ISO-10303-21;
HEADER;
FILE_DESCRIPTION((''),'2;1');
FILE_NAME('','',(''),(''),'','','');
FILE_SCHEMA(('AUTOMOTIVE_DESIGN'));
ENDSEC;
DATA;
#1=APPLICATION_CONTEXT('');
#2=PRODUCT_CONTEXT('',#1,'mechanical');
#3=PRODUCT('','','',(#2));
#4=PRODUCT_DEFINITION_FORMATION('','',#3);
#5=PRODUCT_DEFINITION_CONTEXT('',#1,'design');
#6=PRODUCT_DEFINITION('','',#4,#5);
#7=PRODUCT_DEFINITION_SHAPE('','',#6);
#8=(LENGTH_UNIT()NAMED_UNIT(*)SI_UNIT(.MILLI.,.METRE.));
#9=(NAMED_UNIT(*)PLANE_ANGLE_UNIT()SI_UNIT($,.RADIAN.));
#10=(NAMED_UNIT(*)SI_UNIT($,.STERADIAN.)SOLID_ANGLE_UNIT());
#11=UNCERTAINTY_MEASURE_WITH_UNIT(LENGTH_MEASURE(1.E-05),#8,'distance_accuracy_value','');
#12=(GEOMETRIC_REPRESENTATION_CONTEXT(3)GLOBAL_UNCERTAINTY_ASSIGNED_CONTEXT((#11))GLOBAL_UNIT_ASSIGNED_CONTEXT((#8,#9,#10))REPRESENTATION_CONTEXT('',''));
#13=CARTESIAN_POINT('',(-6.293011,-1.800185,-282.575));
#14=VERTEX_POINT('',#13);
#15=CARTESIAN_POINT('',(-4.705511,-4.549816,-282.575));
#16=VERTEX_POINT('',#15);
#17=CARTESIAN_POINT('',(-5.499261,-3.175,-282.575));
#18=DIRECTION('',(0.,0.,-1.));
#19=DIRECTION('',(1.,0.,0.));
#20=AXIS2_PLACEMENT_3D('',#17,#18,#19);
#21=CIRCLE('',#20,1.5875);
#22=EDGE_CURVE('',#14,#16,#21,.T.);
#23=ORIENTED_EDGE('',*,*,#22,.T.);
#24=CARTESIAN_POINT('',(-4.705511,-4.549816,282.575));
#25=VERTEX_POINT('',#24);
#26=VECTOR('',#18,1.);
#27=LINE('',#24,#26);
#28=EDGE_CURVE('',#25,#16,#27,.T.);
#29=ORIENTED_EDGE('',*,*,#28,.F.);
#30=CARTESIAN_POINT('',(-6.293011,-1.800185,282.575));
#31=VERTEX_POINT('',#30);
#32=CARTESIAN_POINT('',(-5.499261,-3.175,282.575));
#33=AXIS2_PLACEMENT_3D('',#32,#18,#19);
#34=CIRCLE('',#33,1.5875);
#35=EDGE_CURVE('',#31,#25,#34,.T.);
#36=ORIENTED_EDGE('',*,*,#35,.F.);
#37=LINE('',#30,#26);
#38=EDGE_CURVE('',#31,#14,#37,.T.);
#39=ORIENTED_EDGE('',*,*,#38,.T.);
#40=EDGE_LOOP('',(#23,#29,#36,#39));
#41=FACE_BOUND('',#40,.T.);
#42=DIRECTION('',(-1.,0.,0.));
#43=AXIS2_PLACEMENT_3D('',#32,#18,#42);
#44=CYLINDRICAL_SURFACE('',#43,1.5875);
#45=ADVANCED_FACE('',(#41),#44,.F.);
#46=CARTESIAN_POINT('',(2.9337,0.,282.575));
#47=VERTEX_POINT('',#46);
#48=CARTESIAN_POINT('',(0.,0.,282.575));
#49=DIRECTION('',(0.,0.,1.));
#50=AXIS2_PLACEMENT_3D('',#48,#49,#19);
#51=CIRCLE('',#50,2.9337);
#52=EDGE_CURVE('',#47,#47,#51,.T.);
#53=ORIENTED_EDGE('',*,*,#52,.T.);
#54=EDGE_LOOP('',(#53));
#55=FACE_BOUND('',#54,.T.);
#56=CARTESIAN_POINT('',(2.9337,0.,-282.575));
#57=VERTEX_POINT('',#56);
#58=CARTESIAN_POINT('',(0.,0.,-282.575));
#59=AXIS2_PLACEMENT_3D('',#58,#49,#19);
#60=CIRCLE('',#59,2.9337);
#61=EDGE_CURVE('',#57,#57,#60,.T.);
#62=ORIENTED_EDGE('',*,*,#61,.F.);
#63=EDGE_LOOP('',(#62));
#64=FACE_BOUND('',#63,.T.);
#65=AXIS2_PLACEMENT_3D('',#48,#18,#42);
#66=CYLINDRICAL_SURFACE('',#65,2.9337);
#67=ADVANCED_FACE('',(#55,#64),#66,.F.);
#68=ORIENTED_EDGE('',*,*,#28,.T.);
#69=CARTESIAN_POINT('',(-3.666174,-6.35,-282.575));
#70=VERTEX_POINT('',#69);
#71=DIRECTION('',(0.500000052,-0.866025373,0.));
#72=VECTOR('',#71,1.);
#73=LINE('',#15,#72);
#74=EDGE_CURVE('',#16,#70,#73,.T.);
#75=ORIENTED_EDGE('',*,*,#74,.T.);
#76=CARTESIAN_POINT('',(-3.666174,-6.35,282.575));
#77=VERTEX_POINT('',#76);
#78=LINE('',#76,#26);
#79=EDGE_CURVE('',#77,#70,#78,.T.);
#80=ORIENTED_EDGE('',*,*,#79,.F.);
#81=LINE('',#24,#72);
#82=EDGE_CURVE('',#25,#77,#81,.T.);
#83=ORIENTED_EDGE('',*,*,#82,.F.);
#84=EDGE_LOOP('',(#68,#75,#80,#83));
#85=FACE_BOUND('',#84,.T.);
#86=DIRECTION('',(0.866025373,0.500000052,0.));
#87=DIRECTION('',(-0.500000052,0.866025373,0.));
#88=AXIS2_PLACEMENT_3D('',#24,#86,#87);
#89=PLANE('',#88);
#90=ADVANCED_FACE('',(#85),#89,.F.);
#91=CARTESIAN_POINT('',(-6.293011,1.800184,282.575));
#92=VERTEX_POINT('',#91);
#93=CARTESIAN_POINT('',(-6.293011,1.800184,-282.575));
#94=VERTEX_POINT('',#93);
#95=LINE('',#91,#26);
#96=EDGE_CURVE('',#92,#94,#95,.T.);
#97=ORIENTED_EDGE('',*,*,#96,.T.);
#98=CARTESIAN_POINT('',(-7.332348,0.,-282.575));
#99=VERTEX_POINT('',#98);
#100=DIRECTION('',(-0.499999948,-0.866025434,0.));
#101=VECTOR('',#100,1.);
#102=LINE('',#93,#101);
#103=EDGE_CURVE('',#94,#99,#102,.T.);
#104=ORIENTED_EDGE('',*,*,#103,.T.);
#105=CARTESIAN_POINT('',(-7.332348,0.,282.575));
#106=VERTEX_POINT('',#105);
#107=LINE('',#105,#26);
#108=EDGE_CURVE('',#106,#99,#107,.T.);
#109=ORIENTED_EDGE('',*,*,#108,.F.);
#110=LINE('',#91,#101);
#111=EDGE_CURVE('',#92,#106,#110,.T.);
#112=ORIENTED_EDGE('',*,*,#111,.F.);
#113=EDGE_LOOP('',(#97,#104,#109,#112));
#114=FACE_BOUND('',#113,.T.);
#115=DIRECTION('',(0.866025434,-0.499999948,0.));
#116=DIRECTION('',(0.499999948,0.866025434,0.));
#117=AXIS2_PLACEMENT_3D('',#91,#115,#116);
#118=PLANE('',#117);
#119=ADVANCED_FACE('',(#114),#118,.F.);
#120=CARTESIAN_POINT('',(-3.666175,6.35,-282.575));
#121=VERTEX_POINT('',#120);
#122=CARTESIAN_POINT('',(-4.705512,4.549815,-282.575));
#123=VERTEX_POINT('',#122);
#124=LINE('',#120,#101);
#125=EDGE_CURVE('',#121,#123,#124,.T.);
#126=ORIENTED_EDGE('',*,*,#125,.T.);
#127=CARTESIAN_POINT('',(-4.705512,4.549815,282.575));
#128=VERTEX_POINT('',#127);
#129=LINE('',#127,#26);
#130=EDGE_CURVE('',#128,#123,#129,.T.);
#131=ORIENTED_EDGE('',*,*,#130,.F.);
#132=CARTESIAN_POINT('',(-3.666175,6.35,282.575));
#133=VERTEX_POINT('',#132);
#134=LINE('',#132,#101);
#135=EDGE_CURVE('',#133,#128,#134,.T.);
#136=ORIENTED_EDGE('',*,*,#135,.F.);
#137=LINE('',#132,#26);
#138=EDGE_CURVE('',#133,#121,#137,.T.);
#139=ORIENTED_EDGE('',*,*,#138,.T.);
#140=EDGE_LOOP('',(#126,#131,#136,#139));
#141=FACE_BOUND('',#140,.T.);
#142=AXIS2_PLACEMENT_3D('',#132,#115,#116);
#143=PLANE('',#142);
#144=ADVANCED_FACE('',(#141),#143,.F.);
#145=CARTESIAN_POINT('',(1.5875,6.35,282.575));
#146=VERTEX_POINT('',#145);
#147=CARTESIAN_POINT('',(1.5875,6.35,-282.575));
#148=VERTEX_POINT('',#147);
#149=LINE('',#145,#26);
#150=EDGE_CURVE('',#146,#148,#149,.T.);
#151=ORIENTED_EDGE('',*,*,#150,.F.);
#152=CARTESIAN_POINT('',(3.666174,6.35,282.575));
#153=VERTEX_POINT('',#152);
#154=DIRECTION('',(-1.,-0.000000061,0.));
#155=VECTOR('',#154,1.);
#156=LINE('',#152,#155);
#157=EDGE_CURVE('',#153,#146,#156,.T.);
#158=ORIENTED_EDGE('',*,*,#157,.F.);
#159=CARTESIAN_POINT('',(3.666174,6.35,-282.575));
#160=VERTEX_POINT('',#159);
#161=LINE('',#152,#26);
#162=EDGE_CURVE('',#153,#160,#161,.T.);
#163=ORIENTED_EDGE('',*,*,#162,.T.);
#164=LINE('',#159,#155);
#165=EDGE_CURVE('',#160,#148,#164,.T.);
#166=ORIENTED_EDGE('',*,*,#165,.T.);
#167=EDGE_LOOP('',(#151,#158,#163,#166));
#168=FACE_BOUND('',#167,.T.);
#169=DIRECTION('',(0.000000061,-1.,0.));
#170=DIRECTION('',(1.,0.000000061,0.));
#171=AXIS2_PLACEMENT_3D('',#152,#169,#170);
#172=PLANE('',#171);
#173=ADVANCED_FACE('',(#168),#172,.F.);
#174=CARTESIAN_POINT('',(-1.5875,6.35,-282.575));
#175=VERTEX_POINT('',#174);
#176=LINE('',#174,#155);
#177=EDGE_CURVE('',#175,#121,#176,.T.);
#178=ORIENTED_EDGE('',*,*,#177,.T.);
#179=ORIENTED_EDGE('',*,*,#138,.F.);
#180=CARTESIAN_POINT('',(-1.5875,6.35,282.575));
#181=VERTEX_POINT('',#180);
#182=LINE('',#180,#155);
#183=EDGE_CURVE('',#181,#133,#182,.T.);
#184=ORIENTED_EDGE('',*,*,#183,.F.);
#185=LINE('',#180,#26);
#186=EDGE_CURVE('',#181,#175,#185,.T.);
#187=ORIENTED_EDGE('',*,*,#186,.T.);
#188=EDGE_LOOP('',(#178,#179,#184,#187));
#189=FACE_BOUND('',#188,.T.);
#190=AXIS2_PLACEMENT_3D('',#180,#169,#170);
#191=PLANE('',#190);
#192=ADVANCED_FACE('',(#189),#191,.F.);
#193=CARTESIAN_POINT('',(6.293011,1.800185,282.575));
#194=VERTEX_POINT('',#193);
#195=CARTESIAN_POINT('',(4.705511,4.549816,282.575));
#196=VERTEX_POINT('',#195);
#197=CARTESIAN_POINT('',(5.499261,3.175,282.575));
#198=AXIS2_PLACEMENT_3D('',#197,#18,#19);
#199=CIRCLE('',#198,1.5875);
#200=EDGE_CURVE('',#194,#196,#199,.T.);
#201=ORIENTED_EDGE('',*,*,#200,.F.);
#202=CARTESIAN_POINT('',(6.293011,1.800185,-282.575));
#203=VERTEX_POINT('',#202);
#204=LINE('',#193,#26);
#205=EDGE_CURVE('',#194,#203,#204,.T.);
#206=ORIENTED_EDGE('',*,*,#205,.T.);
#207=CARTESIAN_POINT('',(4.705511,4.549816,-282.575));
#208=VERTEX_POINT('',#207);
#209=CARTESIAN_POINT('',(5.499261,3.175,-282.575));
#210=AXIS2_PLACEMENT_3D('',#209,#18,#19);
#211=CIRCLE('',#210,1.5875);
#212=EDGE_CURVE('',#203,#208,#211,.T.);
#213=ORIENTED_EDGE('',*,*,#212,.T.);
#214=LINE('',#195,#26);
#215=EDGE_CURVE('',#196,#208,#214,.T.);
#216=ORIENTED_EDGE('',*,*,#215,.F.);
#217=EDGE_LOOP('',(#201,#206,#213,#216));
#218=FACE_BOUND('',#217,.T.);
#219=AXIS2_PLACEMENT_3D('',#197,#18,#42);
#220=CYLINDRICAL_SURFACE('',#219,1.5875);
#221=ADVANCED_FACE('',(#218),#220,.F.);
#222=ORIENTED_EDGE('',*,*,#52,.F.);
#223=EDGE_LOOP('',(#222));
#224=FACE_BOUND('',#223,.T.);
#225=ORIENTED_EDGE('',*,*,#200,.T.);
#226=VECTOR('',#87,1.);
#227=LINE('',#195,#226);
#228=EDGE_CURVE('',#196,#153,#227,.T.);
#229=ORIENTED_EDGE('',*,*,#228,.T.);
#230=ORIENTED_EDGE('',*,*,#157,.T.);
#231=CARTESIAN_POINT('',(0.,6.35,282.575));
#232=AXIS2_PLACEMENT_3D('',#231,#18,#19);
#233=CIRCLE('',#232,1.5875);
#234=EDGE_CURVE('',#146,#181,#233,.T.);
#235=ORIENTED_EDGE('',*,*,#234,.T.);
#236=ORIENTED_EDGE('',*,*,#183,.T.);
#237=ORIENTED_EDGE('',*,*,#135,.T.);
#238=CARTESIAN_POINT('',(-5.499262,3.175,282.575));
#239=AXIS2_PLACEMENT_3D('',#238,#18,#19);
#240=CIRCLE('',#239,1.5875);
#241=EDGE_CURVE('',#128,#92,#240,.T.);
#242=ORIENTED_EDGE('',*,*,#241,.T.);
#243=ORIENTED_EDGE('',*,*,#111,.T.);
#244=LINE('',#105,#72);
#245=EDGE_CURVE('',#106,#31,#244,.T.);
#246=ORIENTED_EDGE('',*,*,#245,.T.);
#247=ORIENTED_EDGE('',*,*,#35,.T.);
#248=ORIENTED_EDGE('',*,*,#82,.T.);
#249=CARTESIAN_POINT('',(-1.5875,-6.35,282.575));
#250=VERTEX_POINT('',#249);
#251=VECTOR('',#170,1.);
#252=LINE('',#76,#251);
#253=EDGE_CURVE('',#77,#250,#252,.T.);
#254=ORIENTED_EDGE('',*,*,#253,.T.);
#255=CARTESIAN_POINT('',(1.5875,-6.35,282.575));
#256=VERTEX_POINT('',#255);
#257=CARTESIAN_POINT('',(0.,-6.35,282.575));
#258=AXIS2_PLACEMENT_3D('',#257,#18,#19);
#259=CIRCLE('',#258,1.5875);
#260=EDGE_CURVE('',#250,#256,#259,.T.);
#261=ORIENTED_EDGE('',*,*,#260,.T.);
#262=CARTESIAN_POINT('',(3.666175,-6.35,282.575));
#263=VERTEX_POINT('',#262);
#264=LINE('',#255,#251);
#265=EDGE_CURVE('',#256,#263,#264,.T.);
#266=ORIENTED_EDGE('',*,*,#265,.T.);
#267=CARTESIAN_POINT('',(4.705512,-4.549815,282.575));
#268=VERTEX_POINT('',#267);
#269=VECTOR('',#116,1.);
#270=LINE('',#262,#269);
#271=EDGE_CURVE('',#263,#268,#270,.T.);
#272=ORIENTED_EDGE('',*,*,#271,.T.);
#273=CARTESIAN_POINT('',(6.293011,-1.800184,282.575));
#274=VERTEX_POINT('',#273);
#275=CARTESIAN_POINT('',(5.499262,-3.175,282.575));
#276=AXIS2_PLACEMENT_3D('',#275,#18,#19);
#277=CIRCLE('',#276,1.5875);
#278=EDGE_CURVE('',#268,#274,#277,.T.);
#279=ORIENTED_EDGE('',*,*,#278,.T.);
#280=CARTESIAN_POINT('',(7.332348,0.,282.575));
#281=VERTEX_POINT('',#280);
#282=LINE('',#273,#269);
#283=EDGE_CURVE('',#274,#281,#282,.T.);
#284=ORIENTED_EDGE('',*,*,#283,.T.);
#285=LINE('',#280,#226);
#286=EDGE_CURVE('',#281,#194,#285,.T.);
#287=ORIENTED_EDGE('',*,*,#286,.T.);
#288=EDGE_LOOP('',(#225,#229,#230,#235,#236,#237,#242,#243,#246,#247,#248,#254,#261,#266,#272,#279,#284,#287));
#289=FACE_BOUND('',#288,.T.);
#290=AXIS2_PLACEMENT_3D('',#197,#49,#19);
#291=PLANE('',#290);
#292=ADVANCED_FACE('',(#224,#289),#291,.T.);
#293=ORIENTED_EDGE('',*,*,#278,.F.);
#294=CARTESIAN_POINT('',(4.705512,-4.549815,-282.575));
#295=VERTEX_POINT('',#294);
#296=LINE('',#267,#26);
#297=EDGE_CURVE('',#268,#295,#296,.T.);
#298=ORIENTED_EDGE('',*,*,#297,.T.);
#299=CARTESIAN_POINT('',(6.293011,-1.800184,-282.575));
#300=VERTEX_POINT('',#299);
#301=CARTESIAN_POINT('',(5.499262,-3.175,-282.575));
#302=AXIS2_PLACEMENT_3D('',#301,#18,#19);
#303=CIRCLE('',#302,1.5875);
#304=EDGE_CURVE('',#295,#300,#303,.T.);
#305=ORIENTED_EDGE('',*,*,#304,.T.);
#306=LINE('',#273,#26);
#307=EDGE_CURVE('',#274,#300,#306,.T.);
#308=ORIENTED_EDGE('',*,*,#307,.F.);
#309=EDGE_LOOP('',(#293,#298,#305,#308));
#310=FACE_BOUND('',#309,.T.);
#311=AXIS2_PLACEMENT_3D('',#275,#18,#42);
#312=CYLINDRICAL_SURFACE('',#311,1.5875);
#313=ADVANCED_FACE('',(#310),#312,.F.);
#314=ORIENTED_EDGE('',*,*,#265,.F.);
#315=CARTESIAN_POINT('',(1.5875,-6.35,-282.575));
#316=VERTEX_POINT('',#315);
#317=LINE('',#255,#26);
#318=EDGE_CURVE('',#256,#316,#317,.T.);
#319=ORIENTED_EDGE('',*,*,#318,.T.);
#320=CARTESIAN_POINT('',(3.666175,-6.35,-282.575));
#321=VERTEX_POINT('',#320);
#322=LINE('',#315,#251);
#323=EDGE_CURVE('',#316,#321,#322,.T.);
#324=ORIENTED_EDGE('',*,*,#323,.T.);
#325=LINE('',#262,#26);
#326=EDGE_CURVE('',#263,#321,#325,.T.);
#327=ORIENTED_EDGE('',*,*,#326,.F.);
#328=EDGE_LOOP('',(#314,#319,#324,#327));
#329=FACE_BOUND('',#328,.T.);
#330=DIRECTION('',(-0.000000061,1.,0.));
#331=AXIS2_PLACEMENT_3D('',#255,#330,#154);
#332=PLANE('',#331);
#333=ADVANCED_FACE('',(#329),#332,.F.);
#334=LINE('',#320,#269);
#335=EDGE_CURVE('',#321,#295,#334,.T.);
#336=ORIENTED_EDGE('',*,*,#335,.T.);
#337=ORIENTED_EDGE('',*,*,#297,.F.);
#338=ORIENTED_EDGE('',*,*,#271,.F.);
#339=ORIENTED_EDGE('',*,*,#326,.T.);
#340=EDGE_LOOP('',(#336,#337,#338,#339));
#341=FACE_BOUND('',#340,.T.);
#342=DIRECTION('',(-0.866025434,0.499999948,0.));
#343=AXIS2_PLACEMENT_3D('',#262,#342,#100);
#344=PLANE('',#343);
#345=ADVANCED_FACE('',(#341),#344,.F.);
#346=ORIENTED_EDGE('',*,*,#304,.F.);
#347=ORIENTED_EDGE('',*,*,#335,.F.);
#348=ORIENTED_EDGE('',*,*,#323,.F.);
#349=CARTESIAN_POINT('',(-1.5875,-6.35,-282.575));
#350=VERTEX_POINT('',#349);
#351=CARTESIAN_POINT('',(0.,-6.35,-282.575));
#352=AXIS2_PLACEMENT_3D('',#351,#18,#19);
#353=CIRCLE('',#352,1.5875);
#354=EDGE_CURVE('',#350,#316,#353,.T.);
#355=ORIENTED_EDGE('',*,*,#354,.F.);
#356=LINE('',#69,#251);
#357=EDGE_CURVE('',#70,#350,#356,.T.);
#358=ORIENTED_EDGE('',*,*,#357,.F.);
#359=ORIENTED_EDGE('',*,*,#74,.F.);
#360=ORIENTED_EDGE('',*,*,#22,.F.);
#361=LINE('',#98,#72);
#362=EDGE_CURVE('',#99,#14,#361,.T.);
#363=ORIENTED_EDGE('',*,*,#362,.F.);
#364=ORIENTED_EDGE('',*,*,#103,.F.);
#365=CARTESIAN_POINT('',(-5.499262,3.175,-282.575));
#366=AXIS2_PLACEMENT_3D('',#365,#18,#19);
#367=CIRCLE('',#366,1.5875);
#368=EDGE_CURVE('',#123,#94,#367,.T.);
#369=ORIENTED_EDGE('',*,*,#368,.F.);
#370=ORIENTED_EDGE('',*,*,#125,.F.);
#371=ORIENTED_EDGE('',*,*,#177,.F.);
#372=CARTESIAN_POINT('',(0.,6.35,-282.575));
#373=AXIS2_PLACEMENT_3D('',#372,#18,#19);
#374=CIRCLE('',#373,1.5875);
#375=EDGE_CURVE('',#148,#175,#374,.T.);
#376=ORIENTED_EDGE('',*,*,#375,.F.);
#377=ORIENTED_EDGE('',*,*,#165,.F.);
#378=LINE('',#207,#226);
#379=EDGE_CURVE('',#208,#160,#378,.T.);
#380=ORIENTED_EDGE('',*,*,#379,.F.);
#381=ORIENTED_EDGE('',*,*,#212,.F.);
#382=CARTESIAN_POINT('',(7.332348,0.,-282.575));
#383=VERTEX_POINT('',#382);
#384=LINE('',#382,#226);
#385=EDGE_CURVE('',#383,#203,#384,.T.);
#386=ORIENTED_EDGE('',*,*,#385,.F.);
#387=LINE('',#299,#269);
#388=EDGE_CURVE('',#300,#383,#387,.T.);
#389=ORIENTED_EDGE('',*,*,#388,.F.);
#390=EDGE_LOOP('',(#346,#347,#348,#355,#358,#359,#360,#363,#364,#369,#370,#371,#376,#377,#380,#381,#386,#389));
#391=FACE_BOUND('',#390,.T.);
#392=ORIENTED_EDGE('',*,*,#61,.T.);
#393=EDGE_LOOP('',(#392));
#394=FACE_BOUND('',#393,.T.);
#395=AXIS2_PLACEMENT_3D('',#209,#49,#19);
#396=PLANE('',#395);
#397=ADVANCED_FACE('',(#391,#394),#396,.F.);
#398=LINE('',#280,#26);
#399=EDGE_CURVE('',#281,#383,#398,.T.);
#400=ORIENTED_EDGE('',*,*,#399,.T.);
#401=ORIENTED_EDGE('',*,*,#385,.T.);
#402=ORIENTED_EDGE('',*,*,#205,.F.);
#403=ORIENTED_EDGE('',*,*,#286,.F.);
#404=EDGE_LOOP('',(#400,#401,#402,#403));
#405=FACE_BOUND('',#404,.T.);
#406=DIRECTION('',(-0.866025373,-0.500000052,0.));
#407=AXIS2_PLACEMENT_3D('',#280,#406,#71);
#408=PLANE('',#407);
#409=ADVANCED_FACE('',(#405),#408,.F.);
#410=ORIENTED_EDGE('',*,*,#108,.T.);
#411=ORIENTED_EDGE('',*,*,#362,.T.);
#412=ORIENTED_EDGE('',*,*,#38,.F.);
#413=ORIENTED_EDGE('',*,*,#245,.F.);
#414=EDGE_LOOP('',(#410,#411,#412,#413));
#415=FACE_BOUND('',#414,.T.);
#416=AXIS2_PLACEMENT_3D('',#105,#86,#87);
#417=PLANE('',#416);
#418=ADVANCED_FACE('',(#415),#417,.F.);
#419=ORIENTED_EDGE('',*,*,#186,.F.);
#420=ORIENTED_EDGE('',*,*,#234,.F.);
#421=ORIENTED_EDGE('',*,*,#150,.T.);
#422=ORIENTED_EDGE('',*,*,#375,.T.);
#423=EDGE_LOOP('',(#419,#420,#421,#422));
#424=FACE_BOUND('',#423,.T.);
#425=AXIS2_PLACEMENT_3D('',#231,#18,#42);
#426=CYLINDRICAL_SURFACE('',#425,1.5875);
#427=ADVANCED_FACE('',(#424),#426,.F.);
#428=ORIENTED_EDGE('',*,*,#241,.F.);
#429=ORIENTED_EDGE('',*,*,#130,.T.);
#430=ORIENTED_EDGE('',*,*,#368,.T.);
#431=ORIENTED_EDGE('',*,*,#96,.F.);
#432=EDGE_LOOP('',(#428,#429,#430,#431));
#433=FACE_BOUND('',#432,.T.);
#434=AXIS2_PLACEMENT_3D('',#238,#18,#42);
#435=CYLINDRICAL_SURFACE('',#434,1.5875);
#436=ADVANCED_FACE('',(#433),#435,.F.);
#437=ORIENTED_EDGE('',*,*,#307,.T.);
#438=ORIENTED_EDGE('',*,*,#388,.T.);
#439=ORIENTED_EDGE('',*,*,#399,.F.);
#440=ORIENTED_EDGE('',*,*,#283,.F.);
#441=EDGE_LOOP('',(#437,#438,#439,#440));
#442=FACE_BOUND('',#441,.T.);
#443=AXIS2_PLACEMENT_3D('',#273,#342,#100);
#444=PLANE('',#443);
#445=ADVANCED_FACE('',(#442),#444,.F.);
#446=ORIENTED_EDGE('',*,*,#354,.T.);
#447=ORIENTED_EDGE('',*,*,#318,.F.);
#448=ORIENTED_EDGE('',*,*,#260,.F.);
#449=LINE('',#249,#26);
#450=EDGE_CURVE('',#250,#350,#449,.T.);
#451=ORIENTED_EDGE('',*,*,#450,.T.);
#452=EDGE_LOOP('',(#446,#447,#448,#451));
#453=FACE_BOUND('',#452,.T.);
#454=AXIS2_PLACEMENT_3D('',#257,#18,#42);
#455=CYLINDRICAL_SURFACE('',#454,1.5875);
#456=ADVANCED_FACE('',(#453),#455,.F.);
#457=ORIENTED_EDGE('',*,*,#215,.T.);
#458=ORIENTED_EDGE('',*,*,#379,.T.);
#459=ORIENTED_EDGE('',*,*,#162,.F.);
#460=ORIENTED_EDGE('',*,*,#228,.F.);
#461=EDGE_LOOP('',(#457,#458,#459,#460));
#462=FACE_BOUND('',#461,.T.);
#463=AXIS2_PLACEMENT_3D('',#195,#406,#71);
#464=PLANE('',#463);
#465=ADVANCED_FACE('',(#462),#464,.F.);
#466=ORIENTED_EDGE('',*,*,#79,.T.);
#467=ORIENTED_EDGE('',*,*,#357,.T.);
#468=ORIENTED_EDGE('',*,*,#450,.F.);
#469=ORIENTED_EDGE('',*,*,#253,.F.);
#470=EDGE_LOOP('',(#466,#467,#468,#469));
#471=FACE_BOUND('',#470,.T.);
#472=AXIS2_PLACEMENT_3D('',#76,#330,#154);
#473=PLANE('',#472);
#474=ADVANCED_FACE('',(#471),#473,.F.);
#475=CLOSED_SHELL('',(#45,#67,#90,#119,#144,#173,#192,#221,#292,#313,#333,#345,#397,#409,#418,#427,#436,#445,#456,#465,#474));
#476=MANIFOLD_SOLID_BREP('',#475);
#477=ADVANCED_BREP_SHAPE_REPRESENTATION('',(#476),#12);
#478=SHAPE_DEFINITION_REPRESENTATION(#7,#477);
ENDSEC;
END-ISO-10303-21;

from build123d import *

# Parameters (mm, degrees)
SKETCH1_R           = 2.9337
BOSS_EXTRUDE1_DEPTH = 282.575


with BuildPart() as part:
    # Sketch1 → Boss-Extrude1 (new, symmetric)
    with BuildSketch(Plane.XY):
        with BuildLine():
            Line((-1.587500385, 6.349999904), (-3.666174594, 6.349999778))
            Line((-3.666174594, 6.349999778), (-4.70551159, 4.549815043))
            ThreePointArc((-4.70551159, 4.549815043), (-4.12444613, 2.38124975), (-6.293011423, 1.80018429))
            Line((-6.293011423, 1.80018429), (-7.332348419, -4.44e-07))
            Line((-7.332348419, -4.44e-07), (-6.293011205, -1.800185053))
            ThreePointArc((-6.293011205, -1.800185053), (-4.124445841, -2.38125025), (-4.705511038, -4.549815614))
            Line((-4.705511038, -4.549815614), (-3.666173825, -6.350000222))
            Line((-3.666173825, -6.350000222), (-1.587499615, -6.350000096))
            ThreePointArc((-1.587499615, -6.350000096), (2.89e-07, -4.7625), (1.587500385, -6.349999904))
            Line((1.587500385, -6.349999904), (3.666174594, -6.349999778))
            Line((3.666174594, -6.349999778), (4.70551159, -4.549815043))
            ThreePointArc((4.70551159, -4.549815043), (4.12444613, -2.38124975), (6.293011423, -1.80018429))
            Line((6.293011423, -1.80018429), (7.332348419, 4.44e-07))
            Line((7.332348419, 4.44e-07), (6.293011205, 1.800185053))
            ThreePointArc((6.293011205, 1.800185053), (4.124445841, 2.38125025), (4.705511038, 4.549815614))
            Line((4.705511038, 4.549815614), (3.666173825, 6.350000222))
            Line((3.666173825, 6.350000222), (1.587499615, 6.350000096))
            ThreePointArc((1.587499615, 6.350000096), (-2.89e-07, 4.7625), (-1.587500385, 6.349999904))
        make_face()
        Circle(SKETCH1_R, mode=Mode.SUBTRACT)
    extrude(amount=BOSS_EXTRUDE1_DEPTH, both=True)


solid = part.part
